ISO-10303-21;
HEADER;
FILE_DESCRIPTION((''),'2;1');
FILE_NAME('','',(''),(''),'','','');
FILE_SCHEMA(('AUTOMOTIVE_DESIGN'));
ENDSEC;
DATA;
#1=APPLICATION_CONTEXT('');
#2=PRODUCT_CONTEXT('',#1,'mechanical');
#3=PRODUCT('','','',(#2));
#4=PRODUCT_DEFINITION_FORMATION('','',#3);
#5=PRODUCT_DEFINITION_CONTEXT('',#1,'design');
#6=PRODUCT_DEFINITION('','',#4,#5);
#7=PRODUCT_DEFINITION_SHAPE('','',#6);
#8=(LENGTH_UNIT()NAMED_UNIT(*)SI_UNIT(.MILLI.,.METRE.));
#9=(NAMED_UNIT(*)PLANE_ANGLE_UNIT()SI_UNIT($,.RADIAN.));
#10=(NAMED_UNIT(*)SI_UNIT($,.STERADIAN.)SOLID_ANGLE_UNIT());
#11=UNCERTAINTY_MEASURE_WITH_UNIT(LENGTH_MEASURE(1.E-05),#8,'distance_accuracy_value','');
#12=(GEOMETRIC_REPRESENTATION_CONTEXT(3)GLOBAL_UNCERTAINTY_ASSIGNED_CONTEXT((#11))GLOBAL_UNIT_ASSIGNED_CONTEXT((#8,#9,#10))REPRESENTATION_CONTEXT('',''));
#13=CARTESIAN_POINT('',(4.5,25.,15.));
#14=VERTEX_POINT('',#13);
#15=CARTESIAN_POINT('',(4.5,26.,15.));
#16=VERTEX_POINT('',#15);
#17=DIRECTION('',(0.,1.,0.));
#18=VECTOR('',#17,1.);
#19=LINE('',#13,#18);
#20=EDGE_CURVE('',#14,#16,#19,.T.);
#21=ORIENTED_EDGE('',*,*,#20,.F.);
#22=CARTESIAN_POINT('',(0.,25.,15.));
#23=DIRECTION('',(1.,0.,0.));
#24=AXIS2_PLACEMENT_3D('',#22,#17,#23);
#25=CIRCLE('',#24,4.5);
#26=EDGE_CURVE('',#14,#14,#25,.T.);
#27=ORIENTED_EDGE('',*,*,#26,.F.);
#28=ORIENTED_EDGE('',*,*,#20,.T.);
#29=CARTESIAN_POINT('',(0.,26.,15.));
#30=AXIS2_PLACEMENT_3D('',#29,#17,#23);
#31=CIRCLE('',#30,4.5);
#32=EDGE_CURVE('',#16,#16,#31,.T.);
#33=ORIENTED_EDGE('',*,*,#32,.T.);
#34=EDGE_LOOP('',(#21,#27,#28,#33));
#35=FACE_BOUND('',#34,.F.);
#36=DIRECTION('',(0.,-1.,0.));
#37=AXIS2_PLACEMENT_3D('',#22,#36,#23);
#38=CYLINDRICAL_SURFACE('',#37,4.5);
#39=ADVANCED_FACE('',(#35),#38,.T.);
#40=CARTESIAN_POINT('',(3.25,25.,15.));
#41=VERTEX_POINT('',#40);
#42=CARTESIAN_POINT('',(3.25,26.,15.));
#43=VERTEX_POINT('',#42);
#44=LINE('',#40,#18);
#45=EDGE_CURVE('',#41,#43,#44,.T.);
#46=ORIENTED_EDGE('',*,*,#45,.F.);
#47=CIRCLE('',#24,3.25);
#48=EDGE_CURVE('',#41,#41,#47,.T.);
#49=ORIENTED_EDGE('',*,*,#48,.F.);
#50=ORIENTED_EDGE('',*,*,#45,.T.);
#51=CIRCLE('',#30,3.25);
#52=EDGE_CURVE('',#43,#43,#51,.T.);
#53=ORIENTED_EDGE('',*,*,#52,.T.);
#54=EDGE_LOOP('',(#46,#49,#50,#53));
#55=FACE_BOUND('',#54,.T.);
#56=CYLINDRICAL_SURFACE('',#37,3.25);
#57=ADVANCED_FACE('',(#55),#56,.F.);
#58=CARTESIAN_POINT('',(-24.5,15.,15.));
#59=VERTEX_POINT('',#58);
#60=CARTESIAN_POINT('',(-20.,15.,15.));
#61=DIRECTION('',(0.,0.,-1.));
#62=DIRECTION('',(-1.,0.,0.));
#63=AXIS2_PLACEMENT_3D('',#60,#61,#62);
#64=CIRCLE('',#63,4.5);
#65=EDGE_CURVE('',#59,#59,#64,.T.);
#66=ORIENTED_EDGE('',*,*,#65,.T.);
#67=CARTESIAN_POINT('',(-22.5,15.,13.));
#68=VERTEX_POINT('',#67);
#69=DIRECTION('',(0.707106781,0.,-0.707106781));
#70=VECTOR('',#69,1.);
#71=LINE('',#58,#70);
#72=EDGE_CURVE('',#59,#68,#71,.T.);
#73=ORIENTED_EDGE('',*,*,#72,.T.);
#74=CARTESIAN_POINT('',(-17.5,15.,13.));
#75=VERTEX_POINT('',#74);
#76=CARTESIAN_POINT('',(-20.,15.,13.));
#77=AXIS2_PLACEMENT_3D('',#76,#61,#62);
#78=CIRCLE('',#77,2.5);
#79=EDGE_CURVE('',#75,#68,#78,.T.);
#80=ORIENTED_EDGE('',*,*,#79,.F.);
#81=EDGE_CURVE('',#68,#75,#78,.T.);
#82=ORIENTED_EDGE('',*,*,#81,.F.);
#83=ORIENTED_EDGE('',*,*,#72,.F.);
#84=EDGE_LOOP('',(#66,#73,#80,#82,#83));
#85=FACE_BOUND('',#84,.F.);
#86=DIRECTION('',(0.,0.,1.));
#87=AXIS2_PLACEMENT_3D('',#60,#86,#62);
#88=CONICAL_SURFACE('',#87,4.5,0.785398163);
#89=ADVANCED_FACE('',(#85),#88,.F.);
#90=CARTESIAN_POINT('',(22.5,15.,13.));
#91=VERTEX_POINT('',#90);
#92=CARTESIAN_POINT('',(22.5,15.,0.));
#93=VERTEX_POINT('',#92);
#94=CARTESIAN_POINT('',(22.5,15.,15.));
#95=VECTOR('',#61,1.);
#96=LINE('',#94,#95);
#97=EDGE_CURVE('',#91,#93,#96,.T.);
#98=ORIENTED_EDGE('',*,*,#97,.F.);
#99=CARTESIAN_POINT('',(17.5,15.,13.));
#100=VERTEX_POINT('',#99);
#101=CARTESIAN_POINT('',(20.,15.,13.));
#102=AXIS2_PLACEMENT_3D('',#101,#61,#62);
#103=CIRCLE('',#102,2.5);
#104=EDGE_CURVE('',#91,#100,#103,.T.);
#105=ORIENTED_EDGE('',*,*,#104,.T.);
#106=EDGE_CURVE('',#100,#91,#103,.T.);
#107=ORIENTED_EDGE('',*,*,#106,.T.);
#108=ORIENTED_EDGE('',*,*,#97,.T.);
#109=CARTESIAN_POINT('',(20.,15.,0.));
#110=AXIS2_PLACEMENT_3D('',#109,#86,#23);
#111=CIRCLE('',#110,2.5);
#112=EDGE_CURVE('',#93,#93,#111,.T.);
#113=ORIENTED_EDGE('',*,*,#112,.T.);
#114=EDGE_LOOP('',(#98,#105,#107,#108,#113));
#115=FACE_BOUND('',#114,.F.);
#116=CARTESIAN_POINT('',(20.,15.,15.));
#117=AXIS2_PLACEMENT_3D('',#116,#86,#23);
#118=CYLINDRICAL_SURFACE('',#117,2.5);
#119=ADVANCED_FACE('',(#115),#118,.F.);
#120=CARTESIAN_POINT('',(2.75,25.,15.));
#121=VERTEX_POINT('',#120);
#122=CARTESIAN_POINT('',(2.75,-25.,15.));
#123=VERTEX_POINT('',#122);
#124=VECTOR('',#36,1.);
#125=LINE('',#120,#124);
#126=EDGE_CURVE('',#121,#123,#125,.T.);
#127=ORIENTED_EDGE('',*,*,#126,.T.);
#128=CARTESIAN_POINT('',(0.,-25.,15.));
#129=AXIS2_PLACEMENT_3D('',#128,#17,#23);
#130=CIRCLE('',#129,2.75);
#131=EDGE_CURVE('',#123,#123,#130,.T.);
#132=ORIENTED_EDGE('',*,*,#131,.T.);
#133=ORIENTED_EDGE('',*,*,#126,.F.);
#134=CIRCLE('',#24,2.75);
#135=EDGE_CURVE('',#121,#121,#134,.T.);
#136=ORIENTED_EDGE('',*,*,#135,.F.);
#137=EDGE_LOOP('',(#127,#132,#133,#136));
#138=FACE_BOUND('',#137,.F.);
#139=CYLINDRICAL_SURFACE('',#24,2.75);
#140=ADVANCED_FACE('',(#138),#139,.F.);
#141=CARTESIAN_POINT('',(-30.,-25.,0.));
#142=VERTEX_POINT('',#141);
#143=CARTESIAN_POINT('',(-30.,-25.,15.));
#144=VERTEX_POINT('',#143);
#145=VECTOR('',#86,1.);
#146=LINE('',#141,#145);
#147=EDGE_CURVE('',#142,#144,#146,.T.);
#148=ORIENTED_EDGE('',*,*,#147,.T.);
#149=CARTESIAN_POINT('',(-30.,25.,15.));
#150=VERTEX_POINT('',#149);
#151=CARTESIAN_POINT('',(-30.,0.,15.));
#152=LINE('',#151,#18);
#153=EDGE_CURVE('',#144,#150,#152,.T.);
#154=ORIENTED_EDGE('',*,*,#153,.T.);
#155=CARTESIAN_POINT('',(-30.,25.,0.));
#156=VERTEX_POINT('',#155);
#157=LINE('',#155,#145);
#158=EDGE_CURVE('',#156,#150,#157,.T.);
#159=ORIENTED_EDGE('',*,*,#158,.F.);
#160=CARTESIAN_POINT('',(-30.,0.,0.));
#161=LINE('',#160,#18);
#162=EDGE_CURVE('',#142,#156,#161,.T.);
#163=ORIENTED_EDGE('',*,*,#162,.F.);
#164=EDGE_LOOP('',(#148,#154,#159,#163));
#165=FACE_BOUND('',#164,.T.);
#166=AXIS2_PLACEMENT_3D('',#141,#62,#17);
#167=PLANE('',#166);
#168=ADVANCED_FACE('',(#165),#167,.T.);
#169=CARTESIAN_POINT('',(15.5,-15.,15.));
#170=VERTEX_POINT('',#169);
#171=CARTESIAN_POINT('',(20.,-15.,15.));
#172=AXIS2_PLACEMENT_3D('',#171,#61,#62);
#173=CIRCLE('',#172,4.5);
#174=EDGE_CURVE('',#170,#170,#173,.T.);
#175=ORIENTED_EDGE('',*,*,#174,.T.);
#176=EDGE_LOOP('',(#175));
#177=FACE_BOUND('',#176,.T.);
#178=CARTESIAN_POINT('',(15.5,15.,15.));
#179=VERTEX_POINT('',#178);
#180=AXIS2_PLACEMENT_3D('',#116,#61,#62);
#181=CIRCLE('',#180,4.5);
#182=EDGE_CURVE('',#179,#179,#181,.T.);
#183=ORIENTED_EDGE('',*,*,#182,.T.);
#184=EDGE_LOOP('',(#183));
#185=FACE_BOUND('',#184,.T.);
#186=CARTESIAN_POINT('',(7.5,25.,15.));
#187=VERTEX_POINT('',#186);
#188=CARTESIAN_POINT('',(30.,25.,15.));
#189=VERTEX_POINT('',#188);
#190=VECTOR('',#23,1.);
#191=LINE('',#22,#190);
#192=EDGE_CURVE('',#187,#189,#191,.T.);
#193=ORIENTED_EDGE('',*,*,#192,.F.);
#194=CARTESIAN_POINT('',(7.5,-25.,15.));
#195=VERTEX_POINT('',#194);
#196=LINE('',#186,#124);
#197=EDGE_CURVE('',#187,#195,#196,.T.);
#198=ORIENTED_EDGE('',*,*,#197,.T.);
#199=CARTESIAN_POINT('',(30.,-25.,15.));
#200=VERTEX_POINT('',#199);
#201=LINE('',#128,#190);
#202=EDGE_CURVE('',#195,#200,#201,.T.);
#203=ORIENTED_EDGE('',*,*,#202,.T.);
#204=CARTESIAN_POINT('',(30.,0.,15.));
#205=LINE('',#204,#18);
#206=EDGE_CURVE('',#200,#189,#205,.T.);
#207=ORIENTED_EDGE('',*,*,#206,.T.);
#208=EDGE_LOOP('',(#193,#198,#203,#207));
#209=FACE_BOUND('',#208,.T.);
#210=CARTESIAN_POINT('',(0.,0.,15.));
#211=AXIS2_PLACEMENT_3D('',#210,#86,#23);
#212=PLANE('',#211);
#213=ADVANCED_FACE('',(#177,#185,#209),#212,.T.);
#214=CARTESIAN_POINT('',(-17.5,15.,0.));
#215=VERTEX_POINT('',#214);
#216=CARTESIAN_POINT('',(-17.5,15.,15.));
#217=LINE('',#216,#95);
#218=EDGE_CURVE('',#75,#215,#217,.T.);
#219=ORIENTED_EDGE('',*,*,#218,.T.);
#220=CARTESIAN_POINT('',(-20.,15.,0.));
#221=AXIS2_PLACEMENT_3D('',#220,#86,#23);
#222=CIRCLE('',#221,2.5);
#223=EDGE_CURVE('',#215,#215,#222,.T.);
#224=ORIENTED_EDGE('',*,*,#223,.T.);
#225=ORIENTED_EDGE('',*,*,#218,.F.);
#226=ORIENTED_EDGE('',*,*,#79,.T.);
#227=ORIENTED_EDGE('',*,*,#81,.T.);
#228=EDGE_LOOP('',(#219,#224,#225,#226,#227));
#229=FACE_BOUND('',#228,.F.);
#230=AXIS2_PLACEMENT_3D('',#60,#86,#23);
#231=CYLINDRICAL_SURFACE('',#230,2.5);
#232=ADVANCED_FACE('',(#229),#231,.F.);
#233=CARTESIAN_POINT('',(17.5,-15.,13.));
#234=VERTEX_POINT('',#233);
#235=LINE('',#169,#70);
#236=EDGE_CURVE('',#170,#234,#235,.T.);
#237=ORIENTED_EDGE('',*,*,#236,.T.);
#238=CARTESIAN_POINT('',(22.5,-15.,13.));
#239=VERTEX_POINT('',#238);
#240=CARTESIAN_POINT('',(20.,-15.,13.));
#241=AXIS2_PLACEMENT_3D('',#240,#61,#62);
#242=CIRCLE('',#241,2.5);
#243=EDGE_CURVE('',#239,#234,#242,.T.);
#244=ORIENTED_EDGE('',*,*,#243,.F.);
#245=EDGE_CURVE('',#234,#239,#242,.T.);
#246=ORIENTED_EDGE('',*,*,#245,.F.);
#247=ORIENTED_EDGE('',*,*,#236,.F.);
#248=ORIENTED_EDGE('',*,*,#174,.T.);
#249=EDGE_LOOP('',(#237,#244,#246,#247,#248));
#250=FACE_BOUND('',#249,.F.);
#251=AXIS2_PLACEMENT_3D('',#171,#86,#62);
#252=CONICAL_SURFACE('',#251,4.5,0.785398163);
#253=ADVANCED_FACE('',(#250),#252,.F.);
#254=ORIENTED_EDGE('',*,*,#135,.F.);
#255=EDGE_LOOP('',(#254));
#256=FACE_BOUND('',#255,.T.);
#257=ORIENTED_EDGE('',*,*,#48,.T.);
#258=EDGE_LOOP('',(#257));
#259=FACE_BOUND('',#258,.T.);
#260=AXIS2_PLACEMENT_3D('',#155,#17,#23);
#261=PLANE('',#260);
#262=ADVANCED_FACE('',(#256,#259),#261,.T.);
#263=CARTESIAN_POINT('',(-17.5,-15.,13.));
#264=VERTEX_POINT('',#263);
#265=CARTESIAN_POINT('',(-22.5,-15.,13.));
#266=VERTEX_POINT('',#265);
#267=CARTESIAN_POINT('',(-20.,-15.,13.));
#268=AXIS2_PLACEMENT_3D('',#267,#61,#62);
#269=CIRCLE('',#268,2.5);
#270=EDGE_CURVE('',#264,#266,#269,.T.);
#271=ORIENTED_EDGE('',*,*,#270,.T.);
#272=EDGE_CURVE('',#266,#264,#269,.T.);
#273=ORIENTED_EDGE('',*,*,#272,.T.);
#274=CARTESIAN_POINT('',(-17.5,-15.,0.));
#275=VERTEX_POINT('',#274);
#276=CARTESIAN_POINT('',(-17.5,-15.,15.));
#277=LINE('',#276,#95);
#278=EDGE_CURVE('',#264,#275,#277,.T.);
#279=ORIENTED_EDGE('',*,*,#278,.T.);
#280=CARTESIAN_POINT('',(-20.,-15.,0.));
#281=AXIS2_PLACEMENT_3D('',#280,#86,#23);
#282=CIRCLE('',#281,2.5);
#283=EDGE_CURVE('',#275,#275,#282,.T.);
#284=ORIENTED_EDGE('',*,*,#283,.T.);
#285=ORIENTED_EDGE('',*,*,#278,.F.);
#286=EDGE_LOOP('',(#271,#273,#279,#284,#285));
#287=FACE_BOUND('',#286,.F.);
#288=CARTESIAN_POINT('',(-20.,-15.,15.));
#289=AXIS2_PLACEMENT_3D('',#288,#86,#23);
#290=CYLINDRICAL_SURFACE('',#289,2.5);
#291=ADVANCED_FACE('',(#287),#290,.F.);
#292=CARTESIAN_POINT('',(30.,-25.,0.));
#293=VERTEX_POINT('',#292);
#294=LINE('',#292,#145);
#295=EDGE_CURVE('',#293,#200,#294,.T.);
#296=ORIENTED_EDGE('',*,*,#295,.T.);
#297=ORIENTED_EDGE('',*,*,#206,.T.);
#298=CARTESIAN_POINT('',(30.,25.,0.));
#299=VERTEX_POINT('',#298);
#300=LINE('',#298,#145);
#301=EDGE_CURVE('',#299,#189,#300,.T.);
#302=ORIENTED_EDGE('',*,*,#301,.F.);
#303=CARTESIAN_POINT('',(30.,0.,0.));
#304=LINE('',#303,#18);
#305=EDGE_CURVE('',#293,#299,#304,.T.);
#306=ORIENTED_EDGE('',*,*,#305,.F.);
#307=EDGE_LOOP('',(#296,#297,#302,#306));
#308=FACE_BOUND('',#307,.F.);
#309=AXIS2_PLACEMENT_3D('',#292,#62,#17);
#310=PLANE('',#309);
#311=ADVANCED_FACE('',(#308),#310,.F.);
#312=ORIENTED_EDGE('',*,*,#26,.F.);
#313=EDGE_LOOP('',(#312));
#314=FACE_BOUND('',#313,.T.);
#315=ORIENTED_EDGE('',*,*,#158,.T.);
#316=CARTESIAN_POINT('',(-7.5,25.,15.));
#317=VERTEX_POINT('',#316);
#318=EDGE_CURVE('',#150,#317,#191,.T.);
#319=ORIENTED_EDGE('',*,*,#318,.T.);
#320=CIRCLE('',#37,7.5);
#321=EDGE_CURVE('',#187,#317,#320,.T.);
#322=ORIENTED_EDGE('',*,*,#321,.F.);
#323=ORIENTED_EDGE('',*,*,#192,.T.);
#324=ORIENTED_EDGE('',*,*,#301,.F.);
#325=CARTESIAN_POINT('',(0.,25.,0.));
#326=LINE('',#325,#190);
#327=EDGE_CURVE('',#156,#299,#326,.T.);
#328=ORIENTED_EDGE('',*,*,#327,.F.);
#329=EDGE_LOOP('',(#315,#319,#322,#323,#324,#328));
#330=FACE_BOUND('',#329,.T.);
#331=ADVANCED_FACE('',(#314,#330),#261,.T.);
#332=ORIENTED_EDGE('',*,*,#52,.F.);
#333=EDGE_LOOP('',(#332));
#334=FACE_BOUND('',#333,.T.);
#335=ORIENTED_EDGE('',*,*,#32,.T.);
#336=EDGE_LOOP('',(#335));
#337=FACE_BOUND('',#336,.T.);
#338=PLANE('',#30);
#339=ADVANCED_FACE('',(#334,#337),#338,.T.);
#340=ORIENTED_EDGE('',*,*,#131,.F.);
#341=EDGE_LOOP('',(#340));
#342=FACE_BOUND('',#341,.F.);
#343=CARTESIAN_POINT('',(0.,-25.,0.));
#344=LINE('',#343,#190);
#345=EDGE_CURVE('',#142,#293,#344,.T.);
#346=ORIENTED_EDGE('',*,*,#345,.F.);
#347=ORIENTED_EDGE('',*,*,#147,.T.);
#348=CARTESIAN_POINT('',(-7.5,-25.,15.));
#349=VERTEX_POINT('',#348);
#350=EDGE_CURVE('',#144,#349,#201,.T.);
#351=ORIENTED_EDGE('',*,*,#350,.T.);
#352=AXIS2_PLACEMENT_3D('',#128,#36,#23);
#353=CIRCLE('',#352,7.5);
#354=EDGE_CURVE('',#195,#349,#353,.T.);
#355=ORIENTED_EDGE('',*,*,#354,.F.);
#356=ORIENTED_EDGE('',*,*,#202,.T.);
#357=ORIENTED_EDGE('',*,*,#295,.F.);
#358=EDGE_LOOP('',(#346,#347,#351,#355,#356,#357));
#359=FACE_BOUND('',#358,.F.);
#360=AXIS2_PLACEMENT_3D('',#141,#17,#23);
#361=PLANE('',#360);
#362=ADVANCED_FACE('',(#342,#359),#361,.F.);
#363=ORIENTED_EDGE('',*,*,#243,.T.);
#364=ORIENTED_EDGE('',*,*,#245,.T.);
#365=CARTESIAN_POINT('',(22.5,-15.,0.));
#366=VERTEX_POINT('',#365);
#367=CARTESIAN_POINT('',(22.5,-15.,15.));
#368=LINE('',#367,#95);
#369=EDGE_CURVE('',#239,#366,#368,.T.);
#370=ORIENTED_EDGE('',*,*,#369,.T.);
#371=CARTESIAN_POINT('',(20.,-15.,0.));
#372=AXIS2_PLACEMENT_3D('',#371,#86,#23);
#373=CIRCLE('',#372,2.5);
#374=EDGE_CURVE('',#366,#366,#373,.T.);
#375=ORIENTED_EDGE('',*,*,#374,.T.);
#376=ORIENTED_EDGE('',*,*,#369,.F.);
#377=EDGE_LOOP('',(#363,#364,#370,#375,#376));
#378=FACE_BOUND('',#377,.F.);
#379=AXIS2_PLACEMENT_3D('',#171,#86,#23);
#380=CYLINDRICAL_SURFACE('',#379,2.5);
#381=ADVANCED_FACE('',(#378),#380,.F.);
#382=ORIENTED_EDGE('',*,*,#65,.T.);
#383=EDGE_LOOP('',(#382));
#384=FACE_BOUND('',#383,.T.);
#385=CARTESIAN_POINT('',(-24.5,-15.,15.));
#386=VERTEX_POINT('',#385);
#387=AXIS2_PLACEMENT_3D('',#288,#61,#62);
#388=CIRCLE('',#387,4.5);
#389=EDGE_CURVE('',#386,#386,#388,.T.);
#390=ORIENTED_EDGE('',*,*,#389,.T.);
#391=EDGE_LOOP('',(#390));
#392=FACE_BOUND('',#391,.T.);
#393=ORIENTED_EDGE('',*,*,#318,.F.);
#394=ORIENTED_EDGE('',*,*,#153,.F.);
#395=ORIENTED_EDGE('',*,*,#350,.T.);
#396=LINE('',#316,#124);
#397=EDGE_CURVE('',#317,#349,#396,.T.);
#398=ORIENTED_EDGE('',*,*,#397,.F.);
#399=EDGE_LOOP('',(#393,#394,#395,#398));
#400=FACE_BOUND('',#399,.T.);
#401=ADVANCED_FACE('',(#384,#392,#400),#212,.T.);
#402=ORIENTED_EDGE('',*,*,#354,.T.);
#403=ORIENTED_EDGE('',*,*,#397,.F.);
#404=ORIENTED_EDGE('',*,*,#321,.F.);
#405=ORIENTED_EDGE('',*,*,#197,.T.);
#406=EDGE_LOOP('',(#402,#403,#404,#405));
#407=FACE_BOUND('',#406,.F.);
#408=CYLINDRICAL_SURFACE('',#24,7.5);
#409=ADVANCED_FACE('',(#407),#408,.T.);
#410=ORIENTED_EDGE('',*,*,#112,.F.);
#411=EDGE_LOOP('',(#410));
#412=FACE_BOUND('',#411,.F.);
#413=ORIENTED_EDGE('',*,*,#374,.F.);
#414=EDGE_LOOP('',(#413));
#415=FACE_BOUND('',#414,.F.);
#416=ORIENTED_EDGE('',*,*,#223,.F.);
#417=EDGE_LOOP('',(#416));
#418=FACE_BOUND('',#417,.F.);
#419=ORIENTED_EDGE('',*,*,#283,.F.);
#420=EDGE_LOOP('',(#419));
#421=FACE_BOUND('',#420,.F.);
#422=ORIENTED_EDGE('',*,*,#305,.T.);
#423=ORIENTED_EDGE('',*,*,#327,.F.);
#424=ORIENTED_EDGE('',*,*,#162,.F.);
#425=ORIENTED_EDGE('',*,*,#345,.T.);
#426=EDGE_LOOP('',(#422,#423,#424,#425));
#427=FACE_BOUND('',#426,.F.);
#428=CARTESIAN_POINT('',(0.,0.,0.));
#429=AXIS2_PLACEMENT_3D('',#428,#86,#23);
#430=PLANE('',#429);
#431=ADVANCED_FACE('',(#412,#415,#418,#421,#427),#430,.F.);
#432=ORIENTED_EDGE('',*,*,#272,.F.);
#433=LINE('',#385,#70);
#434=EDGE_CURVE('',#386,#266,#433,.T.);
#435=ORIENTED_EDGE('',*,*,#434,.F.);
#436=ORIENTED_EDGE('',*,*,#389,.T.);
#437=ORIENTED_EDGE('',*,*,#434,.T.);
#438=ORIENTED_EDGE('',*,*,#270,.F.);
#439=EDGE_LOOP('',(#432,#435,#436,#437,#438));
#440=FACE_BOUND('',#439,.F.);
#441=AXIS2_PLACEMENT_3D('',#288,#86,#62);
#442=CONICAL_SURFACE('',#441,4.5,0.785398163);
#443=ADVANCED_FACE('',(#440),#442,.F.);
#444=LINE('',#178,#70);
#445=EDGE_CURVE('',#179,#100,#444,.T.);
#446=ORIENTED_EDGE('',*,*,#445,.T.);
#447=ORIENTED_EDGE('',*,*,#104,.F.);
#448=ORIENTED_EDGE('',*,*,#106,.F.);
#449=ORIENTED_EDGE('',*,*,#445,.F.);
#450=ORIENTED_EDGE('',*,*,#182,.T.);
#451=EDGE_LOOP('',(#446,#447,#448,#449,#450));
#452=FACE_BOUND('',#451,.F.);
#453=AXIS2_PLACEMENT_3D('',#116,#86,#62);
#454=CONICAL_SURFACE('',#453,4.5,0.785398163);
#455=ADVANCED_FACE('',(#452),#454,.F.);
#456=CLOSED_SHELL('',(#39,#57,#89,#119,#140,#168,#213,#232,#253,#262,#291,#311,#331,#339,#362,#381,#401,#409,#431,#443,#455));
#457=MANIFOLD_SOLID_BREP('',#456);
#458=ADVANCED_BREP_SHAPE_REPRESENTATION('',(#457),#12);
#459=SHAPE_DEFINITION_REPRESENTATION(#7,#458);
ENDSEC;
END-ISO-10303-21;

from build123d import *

# Parameters (mm, degrees)
ESQUISSE1_W                = 60
ESQUISSE1_H                = 50
BOSS_EXTRU_1_DEPTH         = 15
BOSS_EXTRU_2_DEPTH         = 50
ESQUISSE3_R                = 4.5
ESQUISSE3_R_2              = 3.25
BOSS_EXTRU_3_DEPTH         = 1
ESQUISSE4_R                = 2.75
ENL_V_MAT_EXTRU_1_DEPTH    = 50
ESQUISSE5_R                = 2.5
ENL_V_MAT_EXTRU_2_DEPTH    = 15
R_P_TITION_LIN_AIRE1_COUNT = 2
R_P_TITION_LIN_AIRE1_PITCH = 30
R_P_TITION_LIN_AIRE2_COUNT = 2
R_P_TITION_LIN_AIRE2_PITCH = 40


with BuildPart() as part:
    # Esquisse1 → Boss.-Extru.1 (new body)
    with BuildSketch(Plane.XY):
        Rectangle(ESQUISSE1_W, ESQUISSE1_H)
    extrude(amount=BOSS_EXTRU_1_DEPTH)

    # Esquisse2 → Boss.-Extru.2 (add)
    with BuildSketch(Plane(origin=(0, 25, 0), x_dir=(1, 0, 0), z_dir=(0, 1, 0))):
        with BuildLine():
            Line((-7.5, -15), (7.5, -15))
            ThreePointArc((7.5, -15), (0, -22.5), (-7.5, -15))
        make_face()
    extrude(amount=-BOSS_EXTRU_2_DEPTH)

    # Esquisse3 → Boss.-Extru.3 (add)
    with BuildSketch(Plane(origin=(0, 25, 0), x_dir=(1, 0, 0), z_dir=(0, 1, 0))):
        with Locations((0, -15)):
            Circle(ESQUISSE3_R)
        with Locations((0, -15)):
            Circle(ESQUISSE3_R_2, mode=Mode.SUBTRACT)
    extrude(amount=BOSS_EXTRU_3_DEPTH)

    # Esquisse4 → Enlèv. mat.-Extru.1 (cut)
    with BuildSketch(Plane(origin=(0, 25, 0), x_dir=(1, 0, 0), z_dir=(0, 1, 0))):
        with Locations((0, -15)):
            Circle(ESQUISSE4_R)
    extrude(amount=-ENL_V_MAT_EXTRU_1_DEPTH, mode=Mode.SUBTRACT)

    # Esquisse5 → Enlèv. mat.-Extru.2 (cut)
    with BuildSketch(Plane.XY.offset(15)):
        with Locations((-20, -15)):
            Circle(ESQUISSE5_R)
        with Locations((-20, 15)):
            Circle(ESQUISSE5_R)
        with Locations((20, -15)):
            Circle(ESQUISSE5_R)
        with Locations((20, 15)):
            Circle(ESQUISSE5_R)
    extrude(amount=-ENL_V_MAT_EXTRU_2_DEPTH, mode=Mode.SUBTRACT)

    # Esquisse13 → Enlèvement de matière-Révolution1 (revolve, cut)
    with BuildSketch(Plane.XZ.offset(15)):
        Polygon((-24.5, 15), (-22.5, 13), (-22.5, 15), align=None)
    enl_vement_de_mati_re_r_volution1 = revolve(axis=Axis((-20, -15, 15), (0, 0, -1)), mode=Mode.SUBTRACT)

    # Répétition linéaire1: Enlèvement de matière-Révolution1 ×2
    with Locations(*[(0, i * R_P_TITION_LIN_AIRE1_PITCH, 0) for i in range(1, R_P_TITION_LIN_AIRE1_COUNT)]):
        add(enl_vement_de_mati_re_r_volution1, mode=Mode.SUBTRACT)

    # Répétition linéaire2: Enlèvement de matière-Révolution1 ×2
    with Locations(*[(i * R_P_TITION_LIN_AIRE2_PITCH, 0, 0) for i in range(1, R_P_TITION_LIN_AIRE2_COUNT)]):
        add(enl_vement_de_mati_re_r_volution1, mode=Mode.SUBTRACT)

    # Répétition linéaire2 copy 1 sketch → Répétition linéaire2 copy 1 (revolve, cut)
    with BuildSketch(Plane(origin=(40, 15, 0), x_dir=(1, 0, 0), z_dir=(0, -1, 0))):
        Polygon((-24.5, 15), (-22.5, 13), (-22.5, 15), align=None)
    revolve(axis=Axis((20, 15, 15), (0, 0, -1)), mode=Mode.SUBTRACT)


solid = part.part
